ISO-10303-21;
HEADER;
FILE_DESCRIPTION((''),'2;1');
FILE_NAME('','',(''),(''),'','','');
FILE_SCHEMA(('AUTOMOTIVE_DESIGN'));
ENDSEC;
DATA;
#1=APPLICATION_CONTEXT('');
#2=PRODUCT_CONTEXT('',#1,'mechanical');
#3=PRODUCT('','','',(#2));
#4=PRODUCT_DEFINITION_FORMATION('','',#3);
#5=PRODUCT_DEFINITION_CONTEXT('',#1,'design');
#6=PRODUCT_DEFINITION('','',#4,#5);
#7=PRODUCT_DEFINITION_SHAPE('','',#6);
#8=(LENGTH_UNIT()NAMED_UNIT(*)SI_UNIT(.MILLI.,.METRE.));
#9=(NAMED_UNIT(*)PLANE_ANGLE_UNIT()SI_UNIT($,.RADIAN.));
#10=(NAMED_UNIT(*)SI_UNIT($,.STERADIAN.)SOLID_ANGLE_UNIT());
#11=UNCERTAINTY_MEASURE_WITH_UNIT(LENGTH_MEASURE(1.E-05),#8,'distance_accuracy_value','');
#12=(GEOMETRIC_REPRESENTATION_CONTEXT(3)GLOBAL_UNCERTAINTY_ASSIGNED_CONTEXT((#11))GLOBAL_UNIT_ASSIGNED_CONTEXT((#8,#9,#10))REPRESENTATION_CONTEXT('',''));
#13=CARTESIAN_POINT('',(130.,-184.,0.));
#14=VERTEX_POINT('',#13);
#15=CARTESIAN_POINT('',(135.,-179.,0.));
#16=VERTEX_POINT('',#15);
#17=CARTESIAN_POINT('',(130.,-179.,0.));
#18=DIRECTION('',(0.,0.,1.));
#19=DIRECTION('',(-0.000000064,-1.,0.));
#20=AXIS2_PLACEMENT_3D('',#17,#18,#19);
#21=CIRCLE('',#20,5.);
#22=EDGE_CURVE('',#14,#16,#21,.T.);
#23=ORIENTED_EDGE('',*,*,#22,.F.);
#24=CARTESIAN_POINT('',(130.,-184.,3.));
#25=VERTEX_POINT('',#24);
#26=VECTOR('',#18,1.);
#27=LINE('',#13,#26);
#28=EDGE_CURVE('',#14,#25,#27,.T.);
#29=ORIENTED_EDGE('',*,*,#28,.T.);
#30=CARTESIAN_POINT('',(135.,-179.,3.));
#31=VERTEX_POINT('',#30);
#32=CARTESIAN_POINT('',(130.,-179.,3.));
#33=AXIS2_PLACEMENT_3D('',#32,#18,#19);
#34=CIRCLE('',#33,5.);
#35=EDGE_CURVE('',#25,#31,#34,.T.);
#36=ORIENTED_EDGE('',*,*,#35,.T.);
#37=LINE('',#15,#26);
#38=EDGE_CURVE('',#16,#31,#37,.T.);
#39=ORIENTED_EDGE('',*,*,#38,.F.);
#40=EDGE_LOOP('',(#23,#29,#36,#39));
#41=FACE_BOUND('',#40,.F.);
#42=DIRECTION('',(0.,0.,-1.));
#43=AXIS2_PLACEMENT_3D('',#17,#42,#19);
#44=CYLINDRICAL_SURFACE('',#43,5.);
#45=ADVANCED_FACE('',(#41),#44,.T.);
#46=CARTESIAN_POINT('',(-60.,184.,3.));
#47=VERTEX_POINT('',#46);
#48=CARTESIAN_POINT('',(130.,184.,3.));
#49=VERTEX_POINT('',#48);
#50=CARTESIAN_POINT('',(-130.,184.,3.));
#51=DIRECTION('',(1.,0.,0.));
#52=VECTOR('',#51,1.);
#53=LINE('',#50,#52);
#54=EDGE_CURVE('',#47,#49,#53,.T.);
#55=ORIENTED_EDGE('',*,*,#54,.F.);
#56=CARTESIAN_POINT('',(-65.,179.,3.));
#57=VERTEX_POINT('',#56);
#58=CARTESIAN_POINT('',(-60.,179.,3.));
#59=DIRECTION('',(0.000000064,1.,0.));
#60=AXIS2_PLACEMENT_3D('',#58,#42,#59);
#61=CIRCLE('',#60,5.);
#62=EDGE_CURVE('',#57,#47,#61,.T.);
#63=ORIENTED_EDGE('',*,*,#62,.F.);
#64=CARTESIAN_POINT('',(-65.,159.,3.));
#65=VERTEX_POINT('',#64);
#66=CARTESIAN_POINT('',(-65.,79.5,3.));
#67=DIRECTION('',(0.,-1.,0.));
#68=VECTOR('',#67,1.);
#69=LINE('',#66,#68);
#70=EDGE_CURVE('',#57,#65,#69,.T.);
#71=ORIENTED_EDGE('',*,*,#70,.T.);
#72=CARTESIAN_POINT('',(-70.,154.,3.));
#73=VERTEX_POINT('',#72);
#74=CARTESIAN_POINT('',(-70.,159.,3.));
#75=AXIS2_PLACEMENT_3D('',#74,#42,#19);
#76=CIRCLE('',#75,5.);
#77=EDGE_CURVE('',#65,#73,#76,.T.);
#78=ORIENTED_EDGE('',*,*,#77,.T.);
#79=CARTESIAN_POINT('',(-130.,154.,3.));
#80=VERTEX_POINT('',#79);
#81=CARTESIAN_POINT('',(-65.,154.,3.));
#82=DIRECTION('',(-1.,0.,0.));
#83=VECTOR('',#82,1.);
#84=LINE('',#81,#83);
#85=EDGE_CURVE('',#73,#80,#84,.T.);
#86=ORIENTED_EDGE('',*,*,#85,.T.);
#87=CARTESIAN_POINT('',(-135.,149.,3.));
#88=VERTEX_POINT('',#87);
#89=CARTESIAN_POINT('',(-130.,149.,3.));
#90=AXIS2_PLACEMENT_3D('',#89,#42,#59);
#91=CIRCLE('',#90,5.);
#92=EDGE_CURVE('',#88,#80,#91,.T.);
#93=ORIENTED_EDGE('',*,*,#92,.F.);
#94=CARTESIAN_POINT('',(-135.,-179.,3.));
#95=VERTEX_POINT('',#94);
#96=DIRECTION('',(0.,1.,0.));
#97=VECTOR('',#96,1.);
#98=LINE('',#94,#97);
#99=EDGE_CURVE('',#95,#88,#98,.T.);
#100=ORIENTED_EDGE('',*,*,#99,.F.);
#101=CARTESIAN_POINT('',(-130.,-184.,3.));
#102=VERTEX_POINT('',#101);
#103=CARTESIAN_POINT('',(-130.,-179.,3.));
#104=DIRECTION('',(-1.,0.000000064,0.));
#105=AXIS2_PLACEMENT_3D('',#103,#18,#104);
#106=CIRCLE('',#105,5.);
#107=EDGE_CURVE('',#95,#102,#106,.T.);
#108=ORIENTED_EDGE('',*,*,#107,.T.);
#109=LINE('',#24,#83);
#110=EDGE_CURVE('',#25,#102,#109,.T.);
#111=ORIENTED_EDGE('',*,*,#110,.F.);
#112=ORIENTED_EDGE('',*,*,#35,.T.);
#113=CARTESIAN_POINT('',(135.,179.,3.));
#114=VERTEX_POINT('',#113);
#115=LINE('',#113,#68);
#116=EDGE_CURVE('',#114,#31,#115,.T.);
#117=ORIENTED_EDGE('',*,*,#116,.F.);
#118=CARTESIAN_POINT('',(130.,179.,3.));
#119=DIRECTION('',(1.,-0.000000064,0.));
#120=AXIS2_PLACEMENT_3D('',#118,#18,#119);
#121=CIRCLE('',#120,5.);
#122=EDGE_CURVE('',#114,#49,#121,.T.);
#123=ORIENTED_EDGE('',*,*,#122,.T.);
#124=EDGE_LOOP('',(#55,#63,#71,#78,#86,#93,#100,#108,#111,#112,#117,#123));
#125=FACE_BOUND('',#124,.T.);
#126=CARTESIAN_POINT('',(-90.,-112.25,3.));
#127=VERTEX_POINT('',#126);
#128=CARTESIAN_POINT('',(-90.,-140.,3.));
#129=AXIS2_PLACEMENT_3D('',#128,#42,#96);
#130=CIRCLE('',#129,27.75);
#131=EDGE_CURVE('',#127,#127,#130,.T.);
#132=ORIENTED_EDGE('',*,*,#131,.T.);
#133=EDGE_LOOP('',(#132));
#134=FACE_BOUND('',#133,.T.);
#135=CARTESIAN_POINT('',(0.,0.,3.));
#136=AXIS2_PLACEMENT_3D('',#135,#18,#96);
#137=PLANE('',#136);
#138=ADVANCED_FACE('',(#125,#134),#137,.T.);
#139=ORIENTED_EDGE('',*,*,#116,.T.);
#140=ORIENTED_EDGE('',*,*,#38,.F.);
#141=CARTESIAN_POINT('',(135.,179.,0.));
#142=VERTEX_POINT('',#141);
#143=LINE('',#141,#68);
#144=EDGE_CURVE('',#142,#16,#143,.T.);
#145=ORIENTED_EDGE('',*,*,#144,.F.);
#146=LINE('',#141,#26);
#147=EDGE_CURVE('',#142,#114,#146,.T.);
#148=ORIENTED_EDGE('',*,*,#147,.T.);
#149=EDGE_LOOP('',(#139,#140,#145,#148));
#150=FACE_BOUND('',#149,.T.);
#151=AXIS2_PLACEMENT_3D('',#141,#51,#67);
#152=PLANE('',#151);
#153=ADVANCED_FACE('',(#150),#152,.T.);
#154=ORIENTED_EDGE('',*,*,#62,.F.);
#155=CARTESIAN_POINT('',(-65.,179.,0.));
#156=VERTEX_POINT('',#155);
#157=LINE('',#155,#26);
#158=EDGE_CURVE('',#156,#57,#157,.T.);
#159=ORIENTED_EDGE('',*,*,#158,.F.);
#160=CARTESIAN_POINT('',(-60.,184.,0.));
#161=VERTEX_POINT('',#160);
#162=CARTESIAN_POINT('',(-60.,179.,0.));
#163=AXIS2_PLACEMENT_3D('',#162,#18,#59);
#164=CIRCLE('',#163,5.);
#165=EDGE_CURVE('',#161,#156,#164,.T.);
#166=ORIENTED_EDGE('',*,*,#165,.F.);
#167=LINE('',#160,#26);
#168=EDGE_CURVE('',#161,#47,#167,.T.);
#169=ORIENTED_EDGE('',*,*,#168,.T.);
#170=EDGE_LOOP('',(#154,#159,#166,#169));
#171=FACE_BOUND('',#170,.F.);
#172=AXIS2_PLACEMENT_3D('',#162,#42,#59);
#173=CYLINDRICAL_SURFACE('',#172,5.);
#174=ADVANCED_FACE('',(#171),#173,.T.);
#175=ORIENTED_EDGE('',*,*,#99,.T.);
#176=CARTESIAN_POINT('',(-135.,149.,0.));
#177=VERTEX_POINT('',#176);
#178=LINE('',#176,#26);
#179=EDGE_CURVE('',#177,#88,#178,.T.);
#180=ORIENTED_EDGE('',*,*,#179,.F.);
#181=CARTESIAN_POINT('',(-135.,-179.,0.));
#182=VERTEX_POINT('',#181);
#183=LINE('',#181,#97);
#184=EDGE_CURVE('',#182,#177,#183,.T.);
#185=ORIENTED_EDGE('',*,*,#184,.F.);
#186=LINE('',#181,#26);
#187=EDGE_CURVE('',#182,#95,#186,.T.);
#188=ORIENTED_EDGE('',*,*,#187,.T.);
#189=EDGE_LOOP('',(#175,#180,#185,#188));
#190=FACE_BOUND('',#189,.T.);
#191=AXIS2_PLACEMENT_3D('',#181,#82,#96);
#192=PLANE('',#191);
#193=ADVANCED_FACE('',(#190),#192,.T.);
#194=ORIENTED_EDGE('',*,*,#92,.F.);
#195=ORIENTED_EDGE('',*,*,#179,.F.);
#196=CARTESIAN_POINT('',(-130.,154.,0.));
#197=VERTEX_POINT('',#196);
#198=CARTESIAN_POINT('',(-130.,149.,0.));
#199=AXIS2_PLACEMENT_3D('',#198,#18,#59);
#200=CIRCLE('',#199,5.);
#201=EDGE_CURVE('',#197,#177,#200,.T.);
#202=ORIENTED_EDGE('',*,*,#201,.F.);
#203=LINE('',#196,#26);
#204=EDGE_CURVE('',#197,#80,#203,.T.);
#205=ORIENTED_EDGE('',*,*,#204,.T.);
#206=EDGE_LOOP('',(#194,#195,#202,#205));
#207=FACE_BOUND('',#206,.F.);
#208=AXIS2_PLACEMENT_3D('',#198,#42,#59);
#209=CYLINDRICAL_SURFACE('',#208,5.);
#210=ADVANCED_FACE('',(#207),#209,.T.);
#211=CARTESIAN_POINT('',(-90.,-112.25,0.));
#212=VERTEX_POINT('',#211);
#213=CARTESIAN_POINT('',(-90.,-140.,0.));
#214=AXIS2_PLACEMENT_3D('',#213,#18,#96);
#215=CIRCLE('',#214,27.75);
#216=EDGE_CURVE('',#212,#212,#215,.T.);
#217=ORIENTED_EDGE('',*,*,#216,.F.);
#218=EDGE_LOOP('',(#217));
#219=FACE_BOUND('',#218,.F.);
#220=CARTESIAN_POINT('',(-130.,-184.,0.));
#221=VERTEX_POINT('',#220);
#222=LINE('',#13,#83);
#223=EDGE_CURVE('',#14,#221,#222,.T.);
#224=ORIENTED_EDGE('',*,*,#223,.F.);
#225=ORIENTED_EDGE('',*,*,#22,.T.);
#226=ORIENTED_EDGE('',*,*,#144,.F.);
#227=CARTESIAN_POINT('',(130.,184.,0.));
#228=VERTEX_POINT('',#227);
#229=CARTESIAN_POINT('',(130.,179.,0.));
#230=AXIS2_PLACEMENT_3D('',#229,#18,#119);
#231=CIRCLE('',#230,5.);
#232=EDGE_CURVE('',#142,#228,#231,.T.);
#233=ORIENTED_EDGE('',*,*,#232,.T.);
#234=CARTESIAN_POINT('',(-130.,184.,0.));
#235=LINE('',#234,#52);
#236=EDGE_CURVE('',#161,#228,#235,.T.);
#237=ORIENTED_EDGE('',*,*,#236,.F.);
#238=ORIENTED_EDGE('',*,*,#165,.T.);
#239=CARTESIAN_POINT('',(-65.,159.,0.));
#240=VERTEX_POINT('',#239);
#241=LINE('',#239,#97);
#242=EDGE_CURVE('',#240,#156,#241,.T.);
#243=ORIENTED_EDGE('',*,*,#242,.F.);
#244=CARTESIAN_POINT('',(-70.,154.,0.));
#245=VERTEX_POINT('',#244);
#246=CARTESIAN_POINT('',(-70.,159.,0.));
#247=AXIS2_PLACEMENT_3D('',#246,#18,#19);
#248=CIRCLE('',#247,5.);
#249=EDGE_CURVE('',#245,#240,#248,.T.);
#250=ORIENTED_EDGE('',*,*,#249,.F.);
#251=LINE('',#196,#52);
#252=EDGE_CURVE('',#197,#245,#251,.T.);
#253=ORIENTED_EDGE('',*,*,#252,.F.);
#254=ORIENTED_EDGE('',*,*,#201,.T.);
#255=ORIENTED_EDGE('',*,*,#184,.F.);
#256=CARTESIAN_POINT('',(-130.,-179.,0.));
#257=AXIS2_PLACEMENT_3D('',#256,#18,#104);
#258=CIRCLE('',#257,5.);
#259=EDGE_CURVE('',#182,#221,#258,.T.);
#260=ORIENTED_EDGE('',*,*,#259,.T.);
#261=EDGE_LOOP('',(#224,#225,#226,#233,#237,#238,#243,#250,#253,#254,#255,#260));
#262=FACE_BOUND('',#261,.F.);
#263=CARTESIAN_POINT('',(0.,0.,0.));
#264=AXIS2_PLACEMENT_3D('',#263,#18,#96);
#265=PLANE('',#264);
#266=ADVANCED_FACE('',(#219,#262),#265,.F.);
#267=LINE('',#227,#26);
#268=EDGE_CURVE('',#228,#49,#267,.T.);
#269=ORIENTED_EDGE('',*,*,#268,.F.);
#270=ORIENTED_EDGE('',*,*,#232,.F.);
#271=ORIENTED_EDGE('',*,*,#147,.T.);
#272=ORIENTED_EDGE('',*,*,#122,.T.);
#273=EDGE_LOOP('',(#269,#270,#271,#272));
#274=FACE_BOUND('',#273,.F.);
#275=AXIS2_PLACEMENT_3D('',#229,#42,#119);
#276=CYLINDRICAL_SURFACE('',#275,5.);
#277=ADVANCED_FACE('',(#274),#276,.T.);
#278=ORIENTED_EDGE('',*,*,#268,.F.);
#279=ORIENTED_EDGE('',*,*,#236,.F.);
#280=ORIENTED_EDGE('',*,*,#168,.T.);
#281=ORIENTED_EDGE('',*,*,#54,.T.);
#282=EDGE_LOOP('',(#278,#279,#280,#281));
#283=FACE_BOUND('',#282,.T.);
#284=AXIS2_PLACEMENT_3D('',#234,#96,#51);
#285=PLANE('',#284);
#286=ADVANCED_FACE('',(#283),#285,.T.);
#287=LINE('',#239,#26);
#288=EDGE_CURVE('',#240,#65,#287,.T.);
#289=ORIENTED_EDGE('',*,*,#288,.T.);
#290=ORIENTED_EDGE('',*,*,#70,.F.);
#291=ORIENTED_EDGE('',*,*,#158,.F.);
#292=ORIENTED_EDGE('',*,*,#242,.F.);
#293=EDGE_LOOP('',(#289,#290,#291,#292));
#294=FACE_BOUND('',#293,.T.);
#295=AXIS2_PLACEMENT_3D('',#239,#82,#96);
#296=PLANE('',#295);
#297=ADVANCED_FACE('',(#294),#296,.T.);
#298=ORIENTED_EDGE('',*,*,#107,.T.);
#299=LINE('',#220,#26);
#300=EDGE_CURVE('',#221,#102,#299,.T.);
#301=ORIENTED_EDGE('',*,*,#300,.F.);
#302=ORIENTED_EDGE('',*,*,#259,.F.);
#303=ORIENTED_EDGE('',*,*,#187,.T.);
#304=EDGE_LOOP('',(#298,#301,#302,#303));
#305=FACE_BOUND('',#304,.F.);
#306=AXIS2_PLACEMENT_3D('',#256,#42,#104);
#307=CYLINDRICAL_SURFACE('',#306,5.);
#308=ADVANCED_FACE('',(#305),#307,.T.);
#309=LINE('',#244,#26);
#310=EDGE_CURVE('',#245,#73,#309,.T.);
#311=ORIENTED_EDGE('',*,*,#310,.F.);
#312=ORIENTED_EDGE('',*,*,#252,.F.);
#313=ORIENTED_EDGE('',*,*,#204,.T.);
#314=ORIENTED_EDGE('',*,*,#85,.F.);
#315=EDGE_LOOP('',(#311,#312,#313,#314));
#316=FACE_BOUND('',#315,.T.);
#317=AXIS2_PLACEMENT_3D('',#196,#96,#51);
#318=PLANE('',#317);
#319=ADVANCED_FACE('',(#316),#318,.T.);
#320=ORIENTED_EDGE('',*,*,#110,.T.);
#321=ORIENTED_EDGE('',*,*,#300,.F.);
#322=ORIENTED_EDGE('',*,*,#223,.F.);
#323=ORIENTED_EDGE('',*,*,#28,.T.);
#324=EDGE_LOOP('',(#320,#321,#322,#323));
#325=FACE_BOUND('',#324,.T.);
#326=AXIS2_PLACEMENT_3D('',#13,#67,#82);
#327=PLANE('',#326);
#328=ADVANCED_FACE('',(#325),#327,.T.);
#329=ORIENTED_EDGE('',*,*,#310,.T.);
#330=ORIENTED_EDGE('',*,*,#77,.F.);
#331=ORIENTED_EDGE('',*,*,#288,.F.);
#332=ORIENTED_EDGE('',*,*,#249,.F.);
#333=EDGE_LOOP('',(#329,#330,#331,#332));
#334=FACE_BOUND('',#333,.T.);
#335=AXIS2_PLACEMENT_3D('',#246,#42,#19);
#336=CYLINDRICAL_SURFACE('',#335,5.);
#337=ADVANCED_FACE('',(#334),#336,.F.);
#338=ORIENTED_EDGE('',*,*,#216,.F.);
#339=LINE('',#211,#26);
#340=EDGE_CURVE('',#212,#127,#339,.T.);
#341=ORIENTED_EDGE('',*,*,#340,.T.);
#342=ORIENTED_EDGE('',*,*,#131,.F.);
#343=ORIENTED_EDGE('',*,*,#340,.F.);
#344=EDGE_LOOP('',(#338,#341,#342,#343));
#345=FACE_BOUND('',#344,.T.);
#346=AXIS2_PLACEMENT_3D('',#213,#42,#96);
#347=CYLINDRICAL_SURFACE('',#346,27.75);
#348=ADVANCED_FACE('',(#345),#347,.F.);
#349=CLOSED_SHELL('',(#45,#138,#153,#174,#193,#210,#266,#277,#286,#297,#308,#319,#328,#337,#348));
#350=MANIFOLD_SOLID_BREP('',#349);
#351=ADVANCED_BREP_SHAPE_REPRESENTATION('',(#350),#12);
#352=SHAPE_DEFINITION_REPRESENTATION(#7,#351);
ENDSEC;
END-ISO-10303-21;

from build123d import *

# Parameters (mm, degrees)
PAD012_DEPTH            = 3
SKETCH090_R             = 27.75
POCKET039_DEPTH         = 0.001
POCKET039_DEPTH_BACK    = 3.001
POCKET040_DEPTH         = 0.001
POCKET040_DEPTH_BACK    = 3.001
BODY081_PLACEMENT_ANGLE = 90


with BuildPart() as part:
    # Sketch089 → Pad012 (new body)
    with BuildSketch(Plane.XY):
        with BuildLine():
            ThreePointArc((-184, -130), (-182.535534, -133.535534), (-179, -135))
            Line((179, -135), (-179, -135))
            ThreePointArc((179, -135), (182.535534, -133.535534), (184, -130))
            Line((184, 130), (184, -130))
            ThreePointArc((184, 130), (182.535534, 133.535534), (179, 135))
            Line((-179, 135), (179, 135))
            ThreePointArc((-179, 135), (-182.535534, 133.535534), (-184, 130))
            Line((-184, -130), (-184, 130))
        make_face()
    extrude(amount=PAD012_DEPTH)

    # Sketch090 → Pocket039 (cut, two sides)
    with BuildSketch(Plane(origin=(-140, 90, 0), x_dir=(1, 0, 0), z_dir=(0, 0, 1))) as pocket039_sk:
        Circle(SKETCH090_R)
    extrude(amount=-POCKET039_DEPTH, mode=Mode.SUBTRACT)
    extrude(pocket039_sk.sketch, amount=POCKET039_DEPTH_BACK, mode=Mode.SUBTRACT)

    # Sketch091 → Pocket040 (cut, two sides)
    with BuildSketch(Plane.XY) as pocket040_sk:
        with BuildLine():
            Line((184, 135), (149, 135))
            ThreePointArc((154, 130), (152.535534, 133.535534), (149, 135))
            Line((154, 130), (154, 70))
            ThreePointArc((154, 70), (155.464466, 66.464466), (159, 65))
            Line((159, 65), (179, 65))
            ThreePointArc((184, 60), (182.535534, 63.535534), (179, 65))
            Line((184, 60), (184, 135))
        make_face()
    extrude(amount=-POCKET040_DEPTH, mode=Mode.SUBTRACT)
    extrude(pocket040_sk.sketch, amount=POCKET040_DEPTH_BACK, mode=Mode.SUBTRACT)


with BuildPart() as part_1:
    # Body081 placement: moved
    add(part.part.rotate(Axis((0, 0, 0), (0, 0, 1)), BODY081_PLACEMENT_ANGLE))


solid = part_1.part
